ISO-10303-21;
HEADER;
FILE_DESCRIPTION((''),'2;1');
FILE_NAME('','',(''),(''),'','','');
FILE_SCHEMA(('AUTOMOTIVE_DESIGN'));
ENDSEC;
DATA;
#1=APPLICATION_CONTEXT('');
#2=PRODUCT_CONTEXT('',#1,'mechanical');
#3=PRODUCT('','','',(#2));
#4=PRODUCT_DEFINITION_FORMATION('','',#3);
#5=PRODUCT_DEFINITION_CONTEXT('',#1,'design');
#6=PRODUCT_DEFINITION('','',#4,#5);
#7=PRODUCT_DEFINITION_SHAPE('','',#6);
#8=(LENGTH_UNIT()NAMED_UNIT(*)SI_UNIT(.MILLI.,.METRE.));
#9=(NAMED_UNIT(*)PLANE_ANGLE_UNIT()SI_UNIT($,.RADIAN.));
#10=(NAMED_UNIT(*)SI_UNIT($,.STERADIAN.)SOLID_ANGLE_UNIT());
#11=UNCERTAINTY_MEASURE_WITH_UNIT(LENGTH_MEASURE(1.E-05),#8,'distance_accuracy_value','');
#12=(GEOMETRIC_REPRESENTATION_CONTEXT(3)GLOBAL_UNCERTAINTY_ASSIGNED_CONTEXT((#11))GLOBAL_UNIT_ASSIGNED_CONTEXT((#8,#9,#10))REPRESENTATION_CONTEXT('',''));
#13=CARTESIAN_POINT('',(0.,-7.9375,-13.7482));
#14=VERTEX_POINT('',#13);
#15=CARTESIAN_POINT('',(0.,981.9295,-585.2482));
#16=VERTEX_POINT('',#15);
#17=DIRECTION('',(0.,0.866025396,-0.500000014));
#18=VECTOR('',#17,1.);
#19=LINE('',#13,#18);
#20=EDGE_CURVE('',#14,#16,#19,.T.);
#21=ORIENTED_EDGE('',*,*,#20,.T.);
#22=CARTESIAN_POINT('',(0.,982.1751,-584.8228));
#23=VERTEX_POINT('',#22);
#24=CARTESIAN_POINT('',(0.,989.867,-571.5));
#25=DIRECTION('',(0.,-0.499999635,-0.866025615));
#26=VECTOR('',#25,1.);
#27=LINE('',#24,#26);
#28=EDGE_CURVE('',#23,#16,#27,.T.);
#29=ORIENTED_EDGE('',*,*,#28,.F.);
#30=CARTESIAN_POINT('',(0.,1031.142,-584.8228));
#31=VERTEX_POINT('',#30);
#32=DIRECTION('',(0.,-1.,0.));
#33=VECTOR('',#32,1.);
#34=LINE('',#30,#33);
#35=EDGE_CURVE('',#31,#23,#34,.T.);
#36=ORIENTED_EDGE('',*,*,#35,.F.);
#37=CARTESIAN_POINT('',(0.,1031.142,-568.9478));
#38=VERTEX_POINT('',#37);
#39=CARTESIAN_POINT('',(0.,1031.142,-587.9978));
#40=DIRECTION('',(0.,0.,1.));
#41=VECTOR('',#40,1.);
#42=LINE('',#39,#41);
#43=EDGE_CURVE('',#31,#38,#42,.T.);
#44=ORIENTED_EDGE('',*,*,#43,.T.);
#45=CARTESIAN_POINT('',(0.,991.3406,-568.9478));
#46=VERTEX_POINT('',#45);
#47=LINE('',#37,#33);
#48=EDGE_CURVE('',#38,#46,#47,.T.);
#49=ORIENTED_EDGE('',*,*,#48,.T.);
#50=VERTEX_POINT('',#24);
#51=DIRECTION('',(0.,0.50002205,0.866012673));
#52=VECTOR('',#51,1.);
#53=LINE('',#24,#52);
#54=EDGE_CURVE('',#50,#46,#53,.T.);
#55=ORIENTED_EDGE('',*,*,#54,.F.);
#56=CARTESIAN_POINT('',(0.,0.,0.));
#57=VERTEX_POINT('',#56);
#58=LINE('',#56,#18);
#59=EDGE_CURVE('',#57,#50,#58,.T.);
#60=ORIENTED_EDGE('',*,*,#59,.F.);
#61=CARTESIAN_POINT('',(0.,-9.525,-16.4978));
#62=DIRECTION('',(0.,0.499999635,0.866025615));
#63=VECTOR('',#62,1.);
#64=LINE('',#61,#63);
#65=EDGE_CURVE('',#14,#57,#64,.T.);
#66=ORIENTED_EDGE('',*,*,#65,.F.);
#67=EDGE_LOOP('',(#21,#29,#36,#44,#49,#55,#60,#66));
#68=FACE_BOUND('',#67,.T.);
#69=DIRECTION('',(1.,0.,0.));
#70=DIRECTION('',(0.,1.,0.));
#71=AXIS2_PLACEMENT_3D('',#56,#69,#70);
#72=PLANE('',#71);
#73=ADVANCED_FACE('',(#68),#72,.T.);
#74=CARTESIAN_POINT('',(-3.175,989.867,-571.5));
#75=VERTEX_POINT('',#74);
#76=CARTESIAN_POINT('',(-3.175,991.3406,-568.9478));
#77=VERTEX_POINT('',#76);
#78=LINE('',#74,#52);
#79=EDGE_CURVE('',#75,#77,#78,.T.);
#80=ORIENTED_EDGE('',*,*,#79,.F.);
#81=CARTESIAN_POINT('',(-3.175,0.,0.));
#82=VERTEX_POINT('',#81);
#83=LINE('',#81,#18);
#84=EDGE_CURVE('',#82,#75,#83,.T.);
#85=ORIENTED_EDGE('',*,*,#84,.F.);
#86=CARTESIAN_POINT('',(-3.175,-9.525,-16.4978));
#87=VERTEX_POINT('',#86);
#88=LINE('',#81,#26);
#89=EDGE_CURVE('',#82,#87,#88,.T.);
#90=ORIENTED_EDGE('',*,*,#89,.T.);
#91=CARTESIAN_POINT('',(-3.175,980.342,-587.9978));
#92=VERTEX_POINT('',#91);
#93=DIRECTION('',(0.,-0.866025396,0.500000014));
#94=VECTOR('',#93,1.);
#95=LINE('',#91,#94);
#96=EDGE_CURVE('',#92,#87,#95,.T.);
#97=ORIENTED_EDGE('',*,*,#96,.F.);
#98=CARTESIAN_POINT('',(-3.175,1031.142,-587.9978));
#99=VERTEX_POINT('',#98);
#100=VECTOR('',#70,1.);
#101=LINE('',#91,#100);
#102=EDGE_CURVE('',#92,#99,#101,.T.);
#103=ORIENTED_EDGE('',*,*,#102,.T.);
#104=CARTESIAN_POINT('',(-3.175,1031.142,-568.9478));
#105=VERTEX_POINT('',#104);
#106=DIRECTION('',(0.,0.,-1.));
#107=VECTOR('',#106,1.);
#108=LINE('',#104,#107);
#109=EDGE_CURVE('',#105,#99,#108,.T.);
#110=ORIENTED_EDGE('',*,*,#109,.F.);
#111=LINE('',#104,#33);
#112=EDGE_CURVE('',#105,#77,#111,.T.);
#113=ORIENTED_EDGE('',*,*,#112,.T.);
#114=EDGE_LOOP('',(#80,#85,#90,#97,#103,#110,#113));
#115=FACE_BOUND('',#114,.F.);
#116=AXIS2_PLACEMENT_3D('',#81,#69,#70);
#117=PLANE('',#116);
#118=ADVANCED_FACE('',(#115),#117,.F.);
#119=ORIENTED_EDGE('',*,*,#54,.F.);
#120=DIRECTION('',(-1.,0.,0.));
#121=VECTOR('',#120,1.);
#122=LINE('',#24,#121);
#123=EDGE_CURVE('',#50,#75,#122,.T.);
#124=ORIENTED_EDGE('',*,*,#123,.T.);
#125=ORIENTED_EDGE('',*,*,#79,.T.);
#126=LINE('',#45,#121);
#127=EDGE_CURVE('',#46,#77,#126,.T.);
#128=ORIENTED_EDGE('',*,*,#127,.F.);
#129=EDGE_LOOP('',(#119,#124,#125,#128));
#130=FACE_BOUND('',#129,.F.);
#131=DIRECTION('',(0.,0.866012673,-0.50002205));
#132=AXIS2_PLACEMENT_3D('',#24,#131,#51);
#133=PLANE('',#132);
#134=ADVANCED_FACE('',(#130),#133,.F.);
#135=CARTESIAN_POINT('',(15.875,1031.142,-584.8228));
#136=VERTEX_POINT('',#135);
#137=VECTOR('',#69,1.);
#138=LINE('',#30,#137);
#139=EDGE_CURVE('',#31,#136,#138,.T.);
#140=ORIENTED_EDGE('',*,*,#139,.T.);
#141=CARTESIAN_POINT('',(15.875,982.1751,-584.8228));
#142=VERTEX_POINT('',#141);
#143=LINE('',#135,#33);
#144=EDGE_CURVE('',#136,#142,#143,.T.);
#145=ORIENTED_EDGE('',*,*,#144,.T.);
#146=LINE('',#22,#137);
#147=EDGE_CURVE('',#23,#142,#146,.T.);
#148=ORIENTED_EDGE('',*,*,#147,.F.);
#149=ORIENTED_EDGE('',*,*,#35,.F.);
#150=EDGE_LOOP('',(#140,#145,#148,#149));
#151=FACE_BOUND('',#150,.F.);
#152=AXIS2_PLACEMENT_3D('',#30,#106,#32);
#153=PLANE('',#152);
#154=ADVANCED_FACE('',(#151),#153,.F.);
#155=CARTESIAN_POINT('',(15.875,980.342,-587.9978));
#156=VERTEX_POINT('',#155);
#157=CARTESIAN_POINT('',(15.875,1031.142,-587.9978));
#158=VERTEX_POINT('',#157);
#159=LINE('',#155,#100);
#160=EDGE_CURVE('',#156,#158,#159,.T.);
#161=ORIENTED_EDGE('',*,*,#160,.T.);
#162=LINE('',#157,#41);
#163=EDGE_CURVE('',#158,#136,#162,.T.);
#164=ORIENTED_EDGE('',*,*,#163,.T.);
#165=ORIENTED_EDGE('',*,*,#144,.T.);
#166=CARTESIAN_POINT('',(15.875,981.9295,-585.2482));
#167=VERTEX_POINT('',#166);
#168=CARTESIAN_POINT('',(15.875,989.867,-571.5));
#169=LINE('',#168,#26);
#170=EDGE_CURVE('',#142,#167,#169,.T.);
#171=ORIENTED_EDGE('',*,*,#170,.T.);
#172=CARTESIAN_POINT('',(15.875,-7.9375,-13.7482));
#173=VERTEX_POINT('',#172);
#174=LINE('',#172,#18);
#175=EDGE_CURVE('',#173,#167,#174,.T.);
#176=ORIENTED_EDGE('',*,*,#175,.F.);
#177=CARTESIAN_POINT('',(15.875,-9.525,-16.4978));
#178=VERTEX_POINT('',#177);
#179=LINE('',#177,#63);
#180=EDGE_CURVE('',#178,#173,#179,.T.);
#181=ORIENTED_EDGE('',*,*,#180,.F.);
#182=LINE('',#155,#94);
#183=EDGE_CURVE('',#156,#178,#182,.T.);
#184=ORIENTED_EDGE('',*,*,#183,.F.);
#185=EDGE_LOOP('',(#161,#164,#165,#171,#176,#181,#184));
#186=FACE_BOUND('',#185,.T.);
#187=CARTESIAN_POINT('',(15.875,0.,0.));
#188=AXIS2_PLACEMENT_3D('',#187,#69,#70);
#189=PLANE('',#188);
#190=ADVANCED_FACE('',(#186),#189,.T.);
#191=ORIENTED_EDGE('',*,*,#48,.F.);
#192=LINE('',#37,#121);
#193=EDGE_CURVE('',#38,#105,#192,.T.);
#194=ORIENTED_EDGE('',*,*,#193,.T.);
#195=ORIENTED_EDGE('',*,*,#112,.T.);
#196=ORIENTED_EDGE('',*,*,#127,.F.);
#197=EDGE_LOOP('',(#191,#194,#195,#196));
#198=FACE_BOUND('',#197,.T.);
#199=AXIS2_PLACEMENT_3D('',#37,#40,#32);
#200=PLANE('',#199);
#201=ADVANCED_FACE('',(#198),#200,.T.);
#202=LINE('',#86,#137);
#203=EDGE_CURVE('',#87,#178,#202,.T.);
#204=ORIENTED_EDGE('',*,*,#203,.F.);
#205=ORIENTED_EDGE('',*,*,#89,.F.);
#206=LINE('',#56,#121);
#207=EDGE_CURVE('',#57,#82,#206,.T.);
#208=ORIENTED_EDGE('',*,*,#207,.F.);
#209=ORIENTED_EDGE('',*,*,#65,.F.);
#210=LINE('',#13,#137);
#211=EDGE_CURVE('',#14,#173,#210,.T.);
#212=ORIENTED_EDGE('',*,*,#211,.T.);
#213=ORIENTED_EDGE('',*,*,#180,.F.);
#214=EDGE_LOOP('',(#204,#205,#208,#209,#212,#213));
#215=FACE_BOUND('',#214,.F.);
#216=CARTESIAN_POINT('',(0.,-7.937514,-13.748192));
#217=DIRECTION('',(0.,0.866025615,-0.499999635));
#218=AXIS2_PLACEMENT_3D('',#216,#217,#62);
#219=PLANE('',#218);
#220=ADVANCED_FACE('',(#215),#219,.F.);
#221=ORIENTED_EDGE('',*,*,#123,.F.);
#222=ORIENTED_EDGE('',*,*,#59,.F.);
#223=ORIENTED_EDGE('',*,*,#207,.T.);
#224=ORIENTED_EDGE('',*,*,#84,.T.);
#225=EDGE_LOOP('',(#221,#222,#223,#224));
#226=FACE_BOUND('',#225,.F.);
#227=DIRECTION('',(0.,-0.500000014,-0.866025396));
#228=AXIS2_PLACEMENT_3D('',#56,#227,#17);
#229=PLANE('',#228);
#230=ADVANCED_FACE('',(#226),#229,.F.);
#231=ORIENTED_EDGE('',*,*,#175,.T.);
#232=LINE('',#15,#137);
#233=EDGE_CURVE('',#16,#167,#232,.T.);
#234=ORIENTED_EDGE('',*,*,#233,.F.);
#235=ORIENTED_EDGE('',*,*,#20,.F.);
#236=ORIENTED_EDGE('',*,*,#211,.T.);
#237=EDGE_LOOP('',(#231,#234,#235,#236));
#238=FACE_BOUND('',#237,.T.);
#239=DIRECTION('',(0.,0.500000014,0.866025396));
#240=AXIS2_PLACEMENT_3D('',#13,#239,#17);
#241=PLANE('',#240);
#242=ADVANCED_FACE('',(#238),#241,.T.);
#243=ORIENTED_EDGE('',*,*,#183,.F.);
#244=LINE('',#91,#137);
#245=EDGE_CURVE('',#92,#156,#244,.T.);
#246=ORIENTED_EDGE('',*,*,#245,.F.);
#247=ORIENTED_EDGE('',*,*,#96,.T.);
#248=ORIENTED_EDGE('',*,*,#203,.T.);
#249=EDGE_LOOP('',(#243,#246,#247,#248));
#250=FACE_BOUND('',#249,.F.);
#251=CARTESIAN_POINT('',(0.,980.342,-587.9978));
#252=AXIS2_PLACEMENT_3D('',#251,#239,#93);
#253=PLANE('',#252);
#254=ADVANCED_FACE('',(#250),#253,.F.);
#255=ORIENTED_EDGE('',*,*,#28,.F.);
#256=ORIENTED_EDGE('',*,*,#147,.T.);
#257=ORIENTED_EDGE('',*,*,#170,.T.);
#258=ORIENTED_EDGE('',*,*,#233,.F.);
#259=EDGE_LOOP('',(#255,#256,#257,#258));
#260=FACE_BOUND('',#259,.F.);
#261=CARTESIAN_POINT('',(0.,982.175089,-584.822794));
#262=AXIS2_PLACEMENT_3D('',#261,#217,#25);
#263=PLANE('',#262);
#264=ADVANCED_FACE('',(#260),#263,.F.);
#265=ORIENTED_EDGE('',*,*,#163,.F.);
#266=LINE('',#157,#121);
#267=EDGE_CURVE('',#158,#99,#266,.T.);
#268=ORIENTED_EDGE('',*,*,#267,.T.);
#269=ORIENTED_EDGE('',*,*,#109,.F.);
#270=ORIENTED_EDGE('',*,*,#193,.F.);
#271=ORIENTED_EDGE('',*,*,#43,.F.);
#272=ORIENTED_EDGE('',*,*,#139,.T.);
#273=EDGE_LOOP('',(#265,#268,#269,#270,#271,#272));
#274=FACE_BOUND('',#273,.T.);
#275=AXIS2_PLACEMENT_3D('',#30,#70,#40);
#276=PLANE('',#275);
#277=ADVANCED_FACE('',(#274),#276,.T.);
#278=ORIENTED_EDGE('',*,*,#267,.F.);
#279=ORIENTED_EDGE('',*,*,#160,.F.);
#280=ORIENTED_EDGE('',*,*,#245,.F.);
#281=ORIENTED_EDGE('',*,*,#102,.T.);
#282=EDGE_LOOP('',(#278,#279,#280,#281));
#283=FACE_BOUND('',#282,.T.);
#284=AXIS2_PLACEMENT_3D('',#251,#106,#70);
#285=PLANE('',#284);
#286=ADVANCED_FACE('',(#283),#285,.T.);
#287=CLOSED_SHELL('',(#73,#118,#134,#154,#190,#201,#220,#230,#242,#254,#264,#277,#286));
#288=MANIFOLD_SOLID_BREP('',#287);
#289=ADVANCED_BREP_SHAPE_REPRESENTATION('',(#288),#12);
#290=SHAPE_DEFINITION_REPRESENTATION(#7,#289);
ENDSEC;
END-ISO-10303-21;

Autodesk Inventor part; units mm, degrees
ref_plane "YZ Plane" through (0, 0, 0) normal (1, 0, 0) x (0, 1, 0)
ref_plane "XZ Plane" through (0, 0, 0) normal (0, 1, 0) x (-1, 0, 0)
ref_plane "XY Plane" through (0, 0, 0) normal (0, 0, 1) x (1, 0, 0)
sketch "Sketch1" plane through (0, 0, 0) normal (1, 0, 0) x (0, 1, 0)
  line L0 (0, 0) -> (989.867, -571.5)
  line L1 (989.867, -571.5) -> (980.342, -587.9978)
  line L2 (980.342, -587.9978) -> (-9.525, -16.4978)
  line L3 (-9.525, -16.4978) -> (0, 0)
  line L4 (0, 0) -> (51.1145, 0)
  line L5 (980.342, -587.9978) -> (1031.142, -587.9978)
  line L6 (1031.142, -587.9978) -> (1031.142, -568.9478)
  line L7 (989.867, -571.5) -> (991.3406, -568.9478)
  line L8 (1031.142, -568.9478) -> (991.3406, -568.9478)
  line L9 (-9.525, -16.4978) -> (-7.9375, -13.7482)
  line L10 (-7.9375, -13.7482) -> (981.9295, -585.2482)
  line L11 (1031.142, -587.9978) -> (1031.142, -584.8228)
  line L12 (1031.142, -584.8228) -> (982.1751, -584.8228)
  dimension "d0" = 1143
  dimension "d1" = 19.05
  dimension "d2" = 1143
  dimension "d3" = 30
  dimension "d4" = 50.8
  dimension "d5" = 19.05
  dimension "d6" = 3.175
  dimension "d7" = 1143
  dimension "d8" = 3.175
extrude "Extrusion1" add sketch "Sketch1" against normal blind 3.175
extrude "Extrusion2" add sketch "Sketch1" along normal blind 15.875 contours L10 L1 L2 L3 | L12 L6 L5 L1
properties part number "DiagL2"
